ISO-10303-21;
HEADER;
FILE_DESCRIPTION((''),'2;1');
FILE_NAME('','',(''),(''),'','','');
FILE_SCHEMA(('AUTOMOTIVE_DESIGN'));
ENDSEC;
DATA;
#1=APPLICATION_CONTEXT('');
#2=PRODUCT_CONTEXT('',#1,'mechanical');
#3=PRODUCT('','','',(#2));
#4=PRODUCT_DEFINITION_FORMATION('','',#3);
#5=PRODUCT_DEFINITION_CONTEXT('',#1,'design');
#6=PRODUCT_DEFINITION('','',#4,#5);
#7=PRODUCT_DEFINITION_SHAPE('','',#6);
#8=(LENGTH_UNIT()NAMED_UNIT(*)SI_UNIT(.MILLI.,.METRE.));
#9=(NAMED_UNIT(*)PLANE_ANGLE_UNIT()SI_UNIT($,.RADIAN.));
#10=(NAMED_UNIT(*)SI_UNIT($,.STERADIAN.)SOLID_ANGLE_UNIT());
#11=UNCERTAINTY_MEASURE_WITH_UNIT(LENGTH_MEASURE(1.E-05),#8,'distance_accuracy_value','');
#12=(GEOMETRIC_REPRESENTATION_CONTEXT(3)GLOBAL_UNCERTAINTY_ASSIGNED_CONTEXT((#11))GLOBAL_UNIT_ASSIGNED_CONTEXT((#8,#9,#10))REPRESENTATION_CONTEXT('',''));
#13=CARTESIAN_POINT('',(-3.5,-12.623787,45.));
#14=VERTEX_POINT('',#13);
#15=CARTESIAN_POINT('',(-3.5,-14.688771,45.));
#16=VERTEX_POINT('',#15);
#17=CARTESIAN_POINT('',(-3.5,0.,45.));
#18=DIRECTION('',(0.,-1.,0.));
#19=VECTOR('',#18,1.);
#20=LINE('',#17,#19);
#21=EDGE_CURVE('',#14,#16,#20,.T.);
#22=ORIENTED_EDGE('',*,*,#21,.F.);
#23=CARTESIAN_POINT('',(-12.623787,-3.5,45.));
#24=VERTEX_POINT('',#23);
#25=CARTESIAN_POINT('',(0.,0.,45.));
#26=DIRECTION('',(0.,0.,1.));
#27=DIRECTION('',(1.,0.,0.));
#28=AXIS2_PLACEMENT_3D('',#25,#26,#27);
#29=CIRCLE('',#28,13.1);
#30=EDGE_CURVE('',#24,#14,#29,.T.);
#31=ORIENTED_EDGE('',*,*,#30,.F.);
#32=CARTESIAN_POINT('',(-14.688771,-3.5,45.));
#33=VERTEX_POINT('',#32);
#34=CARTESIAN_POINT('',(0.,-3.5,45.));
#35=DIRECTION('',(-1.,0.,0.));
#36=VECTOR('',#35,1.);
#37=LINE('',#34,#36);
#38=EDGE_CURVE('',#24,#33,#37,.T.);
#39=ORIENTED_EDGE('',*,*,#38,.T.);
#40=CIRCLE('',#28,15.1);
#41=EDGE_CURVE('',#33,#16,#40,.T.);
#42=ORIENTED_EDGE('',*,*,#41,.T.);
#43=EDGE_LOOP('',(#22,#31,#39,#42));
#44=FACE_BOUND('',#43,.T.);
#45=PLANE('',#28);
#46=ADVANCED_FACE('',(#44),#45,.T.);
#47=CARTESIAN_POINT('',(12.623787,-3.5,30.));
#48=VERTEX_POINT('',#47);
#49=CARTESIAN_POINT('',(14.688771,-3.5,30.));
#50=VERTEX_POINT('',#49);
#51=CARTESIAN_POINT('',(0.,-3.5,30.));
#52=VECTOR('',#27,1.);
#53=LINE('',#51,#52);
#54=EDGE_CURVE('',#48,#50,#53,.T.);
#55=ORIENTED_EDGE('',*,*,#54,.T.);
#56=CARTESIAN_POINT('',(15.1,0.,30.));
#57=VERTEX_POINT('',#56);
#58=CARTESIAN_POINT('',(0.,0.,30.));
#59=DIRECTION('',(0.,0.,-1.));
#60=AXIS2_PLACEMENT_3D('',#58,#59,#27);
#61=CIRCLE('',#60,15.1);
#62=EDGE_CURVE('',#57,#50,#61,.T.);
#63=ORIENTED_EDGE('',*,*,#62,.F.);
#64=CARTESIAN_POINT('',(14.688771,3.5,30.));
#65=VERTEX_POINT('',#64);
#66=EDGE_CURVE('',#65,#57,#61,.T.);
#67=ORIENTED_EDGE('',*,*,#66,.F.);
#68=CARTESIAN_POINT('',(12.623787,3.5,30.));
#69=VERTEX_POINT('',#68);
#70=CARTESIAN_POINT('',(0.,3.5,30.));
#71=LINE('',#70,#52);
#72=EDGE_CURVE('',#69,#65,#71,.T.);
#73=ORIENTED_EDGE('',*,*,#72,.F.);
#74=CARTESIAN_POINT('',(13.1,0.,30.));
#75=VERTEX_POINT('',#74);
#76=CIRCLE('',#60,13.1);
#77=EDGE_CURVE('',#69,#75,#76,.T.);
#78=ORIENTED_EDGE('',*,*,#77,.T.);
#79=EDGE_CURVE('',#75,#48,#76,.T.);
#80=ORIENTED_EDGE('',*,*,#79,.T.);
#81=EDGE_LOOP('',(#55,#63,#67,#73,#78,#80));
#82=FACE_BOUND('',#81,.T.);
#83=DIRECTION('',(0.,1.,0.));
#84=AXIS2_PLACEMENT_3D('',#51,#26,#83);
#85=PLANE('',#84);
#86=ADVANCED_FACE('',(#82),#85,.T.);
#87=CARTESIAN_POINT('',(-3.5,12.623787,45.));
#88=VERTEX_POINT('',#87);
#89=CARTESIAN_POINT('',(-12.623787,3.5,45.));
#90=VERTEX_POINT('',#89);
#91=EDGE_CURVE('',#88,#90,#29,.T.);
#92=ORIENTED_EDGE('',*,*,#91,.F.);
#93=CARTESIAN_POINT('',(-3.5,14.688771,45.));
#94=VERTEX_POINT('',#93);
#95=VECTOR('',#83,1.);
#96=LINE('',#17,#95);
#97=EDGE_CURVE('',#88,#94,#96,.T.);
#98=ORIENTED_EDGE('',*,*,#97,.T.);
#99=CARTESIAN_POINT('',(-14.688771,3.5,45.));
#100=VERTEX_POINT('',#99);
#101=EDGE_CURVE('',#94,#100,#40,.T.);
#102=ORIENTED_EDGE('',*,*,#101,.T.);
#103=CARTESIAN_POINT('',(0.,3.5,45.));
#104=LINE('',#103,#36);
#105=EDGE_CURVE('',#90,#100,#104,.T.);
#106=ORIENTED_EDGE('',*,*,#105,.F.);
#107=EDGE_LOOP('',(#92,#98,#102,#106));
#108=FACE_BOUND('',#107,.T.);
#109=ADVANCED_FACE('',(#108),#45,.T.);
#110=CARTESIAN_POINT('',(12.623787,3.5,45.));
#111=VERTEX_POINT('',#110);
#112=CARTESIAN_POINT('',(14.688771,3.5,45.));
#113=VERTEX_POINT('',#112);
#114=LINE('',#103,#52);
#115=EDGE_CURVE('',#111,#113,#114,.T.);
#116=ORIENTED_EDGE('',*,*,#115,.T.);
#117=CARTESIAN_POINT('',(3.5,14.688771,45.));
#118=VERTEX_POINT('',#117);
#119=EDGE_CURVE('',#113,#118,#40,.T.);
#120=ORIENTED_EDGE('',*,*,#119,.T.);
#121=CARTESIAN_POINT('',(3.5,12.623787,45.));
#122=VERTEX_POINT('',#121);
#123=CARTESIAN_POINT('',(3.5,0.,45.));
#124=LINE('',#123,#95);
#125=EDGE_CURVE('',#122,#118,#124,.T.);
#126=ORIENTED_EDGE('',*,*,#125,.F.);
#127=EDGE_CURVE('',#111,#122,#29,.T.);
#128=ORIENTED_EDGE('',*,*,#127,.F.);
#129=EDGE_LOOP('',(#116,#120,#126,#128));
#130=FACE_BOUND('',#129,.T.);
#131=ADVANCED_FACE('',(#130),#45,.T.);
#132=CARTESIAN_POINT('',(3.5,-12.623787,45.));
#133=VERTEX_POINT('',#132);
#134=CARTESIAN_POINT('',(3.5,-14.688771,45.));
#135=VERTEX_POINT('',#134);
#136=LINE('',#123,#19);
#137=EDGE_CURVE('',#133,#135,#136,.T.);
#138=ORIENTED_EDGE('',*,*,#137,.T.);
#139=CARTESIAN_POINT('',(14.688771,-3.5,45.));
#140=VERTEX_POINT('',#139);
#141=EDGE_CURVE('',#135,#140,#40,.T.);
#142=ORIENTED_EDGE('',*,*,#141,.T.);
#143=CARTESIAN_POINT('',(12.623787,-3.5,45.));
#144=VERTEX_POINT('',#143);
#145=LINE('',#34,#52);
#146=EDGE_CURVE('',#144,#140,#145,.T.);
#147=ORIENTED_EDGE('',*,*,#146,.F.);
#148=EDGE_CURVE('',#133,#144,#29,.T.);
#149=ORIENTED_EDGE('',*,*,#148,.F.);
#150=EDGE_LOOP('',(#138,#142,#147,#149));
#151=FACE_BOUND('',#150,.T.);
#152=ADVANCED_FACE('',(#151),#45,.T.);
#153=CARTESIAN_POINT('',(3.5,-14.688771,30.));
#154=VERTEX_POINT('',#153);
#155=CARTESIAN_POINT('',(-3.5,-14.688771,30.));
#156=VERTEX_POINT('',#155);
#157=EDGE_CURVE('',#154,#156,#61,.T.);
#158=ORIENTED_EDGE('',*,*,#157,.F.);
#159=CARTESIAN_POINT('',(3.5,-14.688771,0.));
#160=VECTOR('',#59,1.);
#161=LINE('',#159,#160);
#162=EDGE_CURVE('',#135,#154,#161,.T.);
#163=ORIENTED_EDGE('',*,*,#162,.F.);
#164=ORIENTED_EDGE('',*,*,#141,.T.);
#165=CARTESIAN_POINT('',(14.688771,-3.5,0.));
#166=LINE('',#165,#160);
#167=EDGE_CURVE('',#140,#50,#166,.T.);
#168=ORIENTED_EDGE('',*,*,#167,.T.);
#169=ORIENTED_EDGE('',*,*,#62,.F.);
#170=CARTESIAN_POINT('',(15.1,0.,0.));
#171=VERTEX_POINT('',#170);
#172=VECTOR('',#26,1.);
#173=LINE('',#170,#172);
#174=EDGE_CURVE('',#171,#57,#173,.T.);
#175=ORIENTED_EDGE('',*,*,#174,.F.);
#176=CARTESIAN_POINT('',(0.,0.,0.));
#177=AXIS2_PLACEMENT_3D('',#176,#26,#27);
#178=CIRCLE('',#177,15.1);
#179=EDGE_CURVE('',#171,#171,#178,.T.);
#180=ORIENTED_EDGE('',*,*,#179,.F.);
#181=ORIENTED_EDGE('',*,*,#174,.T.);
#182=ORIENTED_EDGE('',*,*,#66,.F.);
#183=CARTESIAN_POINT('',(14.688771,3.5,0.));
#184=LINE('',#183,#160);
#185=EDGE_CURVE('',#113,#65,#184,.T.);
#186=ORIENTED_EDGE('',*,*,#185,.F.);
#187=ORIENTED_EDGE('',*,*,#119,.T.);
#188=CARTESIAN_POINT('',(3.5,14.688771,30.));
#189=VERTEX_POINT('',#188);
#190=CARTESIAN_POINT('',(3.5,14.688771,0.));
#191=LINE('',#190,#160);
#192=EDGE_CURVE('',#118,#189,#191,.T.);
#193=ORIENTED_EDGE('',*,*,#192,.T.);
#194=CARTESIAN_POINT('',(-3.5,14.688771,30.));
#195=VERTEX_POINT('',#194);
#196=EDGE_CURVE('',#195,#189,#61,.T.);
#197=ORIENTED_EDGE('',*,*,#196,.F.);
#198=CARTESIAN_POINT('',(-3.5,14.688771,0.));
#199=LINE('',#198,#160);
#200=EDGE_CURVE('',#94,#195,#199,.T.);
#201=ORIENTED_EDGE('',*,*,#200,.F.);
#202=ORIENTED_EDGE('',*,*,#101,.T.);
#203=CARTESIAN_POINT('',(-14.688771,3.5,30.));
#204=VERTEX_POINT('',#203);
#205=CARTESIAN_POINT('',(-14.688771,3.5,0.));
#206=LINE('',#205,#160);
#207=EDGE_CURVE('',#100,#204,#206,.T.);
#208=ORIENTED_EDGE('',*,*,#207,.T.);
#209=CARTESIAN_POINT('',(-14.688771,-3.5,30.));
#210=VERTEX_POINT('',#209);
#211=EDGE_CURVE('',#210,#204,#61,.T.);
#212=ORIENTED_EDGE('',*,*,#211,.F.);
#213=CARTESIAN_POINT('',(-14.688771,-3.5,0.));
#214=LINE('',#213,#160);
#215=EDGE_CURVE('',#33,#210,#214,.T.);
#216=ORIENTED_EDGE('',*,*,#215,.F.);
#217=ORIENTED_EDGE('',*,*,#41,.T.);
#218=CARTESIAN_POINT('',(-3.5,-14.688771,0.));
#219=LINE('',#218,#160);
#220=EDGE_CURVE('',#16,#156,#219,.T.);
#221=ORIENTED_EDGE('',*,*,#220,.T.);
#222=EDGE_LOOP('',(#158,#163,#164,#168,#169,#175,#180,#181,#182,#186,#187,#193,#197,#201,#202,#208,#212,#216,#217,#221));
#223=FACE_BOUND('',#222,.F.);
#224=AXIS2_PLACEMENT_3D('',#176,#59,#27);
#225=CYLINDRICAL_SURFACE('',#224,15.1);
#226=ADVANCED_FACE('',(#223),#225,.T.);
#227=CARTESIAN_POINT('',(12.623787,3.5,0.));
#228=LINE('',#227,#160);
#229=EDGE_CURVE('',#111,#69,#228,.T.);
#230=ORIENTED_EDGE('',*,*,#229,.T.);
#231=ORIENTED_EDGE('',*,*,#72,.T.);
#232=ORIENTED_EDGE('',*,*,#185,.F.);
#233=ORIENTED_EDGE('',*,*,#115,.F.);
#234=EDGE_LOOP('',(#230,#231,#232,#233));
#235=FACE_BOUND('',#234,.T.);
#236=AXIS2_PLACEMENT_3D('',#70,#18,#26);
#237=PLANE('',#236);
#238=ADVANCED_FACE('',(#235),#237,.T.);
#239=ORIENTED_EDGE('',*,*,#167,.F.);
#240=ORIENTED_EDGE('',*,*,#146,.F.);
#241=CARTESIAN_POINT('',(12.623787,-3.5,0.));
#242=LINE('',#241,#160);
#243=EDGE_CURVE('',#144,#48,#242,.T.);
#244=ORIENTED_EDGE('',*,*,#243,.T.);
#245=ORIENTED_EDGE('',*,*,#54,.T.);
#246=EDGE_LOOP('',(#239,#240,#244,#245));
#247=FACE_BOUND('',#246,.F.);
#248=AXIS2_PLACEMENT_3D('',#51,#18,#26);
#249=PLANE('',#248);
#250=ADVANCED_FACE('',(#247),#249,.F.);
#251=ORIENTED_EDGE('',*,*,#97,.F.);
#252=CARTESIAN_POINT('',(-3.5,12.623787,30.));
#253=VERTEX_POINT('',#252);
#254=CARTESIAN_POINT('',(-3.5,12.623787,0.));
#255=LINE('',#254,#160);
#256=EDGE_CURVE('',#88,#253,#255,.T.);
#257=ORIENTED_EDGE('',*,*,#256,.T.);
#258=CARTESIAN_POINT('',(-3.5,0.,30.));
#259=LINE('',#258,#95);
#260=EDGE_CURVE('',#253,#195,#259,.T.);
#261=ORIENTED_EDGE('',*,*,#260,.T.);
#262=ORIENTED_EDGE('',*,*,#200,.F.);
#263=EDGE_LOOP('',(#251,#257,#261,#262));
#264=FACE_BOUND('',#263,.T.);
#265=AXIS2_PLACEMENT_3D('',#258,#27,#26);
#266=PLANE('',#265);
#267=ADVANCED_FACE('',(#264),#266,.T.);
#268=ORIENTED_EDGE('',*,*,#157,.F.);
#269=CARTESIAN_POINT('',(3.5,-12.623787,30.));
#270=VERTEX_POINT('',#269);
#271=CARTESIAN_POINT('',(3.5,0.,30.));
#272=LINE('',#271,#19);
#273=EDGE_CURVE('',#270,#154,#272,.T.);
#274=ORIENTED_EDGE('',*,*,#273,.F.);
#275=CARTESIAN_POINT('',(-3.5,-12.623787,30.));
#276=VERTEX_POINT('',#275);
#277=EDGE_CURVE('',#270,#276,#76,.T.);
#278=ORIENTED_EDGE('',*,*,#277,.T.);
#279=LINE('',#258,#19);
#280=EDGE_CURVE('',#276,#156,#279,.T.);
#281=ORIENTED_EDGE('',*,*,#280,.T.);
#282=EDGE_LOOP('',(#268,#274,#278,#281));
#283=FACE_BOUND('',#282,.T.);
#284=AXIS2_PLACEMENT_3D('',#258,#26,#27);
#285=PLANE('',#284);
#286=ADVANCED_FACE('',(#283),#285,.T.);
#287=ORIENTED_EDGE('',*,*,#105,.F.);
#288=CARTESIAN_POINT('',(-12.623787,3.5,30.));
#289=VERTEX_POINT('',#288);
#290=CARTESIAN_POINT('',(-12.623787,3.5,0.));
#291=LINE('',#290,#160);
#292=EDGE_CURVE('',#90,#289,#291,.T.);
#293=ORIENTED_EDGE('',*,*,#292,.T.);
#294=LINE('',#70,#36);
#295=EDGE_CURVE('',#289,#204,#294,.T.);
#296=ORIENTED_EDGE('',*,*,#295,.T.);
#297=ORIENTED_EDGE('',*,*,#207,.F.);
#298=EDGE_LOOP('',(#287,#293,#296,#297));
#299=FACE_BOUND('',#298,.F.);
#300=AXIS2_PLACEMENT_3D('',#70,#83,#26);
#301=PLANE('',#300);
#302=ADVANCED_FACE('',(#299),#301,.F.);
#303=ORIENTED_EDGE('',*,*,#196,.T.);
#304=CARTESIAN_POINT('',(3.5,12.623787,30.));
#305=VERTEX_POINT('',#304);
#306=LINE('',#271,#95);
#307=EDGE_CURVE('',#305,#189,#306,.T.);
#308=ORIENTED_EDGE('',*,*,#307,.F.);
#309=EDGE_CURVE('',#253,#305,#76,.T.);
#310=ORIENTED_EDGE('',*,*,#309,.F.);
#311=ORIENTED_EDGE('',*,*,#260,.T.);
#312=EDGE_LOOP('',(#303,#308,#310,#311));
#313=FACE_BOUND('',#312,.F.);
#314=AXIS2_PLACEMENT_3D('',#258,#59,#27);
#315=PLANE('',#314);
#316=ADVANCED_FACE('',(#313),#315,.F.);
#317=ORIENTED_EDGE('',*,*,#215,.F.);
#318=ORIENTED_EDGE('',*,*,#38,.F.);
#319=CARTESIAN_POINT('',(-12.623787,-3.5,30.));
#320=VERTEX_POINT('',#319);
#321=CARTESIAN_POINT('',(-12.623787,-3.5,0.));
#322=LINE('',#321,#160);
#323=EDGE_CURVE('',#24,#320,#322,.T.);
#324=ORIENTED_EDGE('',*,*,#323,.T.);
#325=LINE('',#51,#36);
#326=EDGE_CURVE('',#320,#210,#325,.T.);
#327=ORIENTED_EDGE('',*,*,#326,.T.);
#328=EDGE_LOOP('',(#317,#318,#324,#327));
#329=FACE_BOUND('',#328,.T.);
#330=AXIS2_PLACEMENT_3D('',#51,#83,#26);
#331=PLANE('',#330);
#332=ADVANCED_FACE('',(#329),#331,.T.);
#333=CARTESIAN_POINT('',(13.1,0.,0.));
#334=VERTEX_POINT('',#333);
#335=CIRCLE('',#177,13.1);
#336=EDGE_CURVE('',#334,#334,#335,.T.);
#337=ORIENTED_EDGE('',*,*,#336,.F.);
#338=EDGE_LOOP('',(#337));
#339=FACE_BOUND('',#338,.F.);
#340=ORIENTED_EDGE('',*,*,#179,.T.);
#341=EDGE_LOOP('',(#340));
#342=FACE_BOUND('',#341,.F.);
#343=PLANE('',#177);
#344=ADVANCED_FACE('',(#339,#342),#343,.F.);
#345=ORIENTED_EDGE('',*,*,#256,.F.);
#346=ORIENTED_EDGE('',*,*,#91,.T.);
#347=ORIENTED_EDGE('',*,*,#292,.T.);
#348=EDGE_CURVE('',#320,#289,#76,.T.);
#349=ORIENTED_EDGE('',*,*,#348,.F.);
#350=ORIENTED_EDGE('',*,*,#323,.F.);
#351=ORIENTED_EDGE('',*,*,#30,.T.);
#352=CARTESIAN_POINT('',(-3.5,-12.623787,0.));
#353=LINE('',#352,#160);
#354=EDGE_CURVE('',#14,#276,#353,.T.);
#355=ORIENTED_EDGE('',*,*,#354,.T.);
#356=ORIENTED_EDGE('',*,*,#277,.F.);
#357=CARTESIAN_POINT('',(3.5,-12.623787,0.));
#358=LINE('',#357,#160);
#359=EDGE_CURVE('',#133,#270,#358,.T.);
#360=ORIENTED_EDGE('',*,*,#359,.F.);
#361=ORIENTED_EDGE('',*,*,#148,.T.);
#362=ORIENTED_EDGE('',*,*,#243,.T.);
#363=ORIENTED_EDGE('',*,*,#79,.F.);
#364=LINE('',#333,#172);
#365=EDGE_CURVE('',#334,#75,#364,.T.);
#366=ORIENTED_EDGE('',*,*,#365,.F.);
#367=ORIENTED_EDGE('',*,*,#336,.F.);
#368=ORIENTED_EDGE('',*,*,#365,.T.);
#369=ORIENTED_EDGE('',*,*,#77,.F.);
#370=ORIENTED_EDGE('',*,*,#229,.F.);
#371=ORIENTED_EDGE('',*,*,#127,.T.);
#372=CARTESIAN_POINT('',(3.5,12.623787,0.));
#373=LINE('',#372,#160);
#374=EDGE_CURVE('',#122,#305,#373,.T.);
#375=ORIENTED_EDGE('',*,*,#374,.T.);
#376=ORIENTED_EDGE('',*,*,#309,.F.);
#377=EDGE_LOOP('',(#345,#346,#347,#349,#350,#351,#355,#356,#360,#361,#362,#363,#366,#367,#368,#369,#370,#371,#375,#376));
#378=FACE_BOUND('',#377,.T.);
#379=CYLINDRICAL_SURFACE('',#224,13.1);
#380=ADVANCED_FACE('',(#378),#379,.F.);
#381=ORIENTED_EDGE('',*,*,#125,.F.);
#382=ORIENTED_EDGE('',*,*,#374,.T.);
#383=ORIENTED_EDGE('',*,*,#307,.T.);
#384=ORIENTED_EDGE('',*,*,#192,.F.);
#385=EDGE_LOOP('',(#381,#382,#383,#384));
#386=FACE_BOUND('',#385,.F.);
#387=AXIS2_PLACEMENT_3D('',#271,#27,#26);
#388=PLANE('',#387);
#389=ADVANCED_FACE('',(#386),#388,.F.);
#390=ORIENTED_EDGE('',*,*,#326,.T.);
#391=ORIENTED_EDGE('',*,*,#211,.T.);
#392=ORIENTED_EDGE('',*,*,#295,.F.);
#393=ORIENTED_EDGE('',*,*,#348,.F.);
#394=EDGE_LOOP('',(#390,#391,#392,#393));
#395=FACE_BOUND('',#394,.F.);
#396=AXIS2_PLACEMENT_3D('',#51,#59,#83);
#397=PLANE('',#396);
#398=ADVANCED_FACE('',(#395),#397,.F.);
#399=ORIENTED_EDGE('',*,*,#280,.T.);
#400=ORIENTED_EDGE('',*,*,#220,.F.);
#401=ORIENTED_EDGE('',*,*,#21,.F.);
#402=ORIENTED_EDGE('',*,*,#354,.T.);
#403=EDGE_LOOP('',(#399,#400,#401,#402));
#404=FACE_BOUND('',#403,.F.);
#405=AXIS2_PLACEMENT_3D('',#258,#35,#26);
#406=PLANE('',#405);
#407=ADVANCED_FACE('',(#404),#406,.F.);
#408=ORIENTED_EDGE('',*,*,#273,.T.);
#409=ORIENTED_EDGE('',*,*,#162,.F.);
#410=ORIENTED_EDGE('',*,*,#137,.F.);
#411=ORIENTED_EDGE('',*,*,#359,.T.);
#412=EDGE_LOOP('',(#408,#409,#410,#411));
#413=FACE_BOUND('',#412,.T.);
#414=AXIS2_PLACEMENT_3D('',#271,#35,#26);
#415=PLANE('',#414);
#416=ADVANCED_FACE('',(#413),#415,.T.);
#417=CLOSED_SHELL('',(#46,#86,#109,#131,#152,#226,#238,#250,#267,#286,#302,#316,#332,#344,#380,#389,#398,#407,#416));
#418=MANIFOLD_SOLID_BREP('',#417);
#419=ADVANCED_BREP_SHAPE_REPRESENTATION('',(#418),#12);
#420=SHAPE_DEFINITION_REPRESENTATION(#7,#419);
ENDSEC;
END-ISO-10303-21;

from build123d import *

# Parameters (mm, degrees)
F0_R     = 15.1
F0_R_2   = 13.1
F1_DEPTH = 45
F2_W     = 7
F2_H     = 15
F3_DEPTH = 25
F4_DEPTH = 25
F5_W     = 7
F5_H     = 15
F6_DEPTH = 25
F7_DEPTH = 25


with BuildPart() as f1:
    # F0 (on Top) → F1 (new body)
    with BuildSketch(Plane.XY):
        Circle(F0_R)
        Circle(F0_R_2, mode=Mode.SUBTRACT)
    extrude(amount=F1_DEPTH)

    # F2 (on Front) → F3 (cut)
    with BuildSketch(Plane.XZ):
        with Locations((0, 37.5)):
            Rectangle(F2_W, F2_H)
    extrude(amount=-F3_DEPTH, mode=Mode.SUBTRACT)

    # F2 (on Front) → F4 (cut)
    with BuildSketch(Plane.XZ):
        with Locations((0, 37.5)):
            Rectangle(F2_W, F2_H)
    extrude(amount=F4_DEPTH, mode=Mode.SUBTRACT)

    # F5 (on Right) → F6 (cut)
    with BuildSketch(Plane.YZ):
        with Locations((0, 37.5)):
            Rectangle(F5_W, F5_H)
    extrude(amount=-F6_DEPTH, mode=Mode.SUBTRACT)

    # F5 (on Right) → F7 (cut)
    with BuildSketch(Plane.YZ):
        with Locations((0, 37.5)):
            Rectangle(F5_W, F5_H)
    extrude(amount=F7_DEPTH, mode=Mode.SUBTRACT)


solid = f1.part
